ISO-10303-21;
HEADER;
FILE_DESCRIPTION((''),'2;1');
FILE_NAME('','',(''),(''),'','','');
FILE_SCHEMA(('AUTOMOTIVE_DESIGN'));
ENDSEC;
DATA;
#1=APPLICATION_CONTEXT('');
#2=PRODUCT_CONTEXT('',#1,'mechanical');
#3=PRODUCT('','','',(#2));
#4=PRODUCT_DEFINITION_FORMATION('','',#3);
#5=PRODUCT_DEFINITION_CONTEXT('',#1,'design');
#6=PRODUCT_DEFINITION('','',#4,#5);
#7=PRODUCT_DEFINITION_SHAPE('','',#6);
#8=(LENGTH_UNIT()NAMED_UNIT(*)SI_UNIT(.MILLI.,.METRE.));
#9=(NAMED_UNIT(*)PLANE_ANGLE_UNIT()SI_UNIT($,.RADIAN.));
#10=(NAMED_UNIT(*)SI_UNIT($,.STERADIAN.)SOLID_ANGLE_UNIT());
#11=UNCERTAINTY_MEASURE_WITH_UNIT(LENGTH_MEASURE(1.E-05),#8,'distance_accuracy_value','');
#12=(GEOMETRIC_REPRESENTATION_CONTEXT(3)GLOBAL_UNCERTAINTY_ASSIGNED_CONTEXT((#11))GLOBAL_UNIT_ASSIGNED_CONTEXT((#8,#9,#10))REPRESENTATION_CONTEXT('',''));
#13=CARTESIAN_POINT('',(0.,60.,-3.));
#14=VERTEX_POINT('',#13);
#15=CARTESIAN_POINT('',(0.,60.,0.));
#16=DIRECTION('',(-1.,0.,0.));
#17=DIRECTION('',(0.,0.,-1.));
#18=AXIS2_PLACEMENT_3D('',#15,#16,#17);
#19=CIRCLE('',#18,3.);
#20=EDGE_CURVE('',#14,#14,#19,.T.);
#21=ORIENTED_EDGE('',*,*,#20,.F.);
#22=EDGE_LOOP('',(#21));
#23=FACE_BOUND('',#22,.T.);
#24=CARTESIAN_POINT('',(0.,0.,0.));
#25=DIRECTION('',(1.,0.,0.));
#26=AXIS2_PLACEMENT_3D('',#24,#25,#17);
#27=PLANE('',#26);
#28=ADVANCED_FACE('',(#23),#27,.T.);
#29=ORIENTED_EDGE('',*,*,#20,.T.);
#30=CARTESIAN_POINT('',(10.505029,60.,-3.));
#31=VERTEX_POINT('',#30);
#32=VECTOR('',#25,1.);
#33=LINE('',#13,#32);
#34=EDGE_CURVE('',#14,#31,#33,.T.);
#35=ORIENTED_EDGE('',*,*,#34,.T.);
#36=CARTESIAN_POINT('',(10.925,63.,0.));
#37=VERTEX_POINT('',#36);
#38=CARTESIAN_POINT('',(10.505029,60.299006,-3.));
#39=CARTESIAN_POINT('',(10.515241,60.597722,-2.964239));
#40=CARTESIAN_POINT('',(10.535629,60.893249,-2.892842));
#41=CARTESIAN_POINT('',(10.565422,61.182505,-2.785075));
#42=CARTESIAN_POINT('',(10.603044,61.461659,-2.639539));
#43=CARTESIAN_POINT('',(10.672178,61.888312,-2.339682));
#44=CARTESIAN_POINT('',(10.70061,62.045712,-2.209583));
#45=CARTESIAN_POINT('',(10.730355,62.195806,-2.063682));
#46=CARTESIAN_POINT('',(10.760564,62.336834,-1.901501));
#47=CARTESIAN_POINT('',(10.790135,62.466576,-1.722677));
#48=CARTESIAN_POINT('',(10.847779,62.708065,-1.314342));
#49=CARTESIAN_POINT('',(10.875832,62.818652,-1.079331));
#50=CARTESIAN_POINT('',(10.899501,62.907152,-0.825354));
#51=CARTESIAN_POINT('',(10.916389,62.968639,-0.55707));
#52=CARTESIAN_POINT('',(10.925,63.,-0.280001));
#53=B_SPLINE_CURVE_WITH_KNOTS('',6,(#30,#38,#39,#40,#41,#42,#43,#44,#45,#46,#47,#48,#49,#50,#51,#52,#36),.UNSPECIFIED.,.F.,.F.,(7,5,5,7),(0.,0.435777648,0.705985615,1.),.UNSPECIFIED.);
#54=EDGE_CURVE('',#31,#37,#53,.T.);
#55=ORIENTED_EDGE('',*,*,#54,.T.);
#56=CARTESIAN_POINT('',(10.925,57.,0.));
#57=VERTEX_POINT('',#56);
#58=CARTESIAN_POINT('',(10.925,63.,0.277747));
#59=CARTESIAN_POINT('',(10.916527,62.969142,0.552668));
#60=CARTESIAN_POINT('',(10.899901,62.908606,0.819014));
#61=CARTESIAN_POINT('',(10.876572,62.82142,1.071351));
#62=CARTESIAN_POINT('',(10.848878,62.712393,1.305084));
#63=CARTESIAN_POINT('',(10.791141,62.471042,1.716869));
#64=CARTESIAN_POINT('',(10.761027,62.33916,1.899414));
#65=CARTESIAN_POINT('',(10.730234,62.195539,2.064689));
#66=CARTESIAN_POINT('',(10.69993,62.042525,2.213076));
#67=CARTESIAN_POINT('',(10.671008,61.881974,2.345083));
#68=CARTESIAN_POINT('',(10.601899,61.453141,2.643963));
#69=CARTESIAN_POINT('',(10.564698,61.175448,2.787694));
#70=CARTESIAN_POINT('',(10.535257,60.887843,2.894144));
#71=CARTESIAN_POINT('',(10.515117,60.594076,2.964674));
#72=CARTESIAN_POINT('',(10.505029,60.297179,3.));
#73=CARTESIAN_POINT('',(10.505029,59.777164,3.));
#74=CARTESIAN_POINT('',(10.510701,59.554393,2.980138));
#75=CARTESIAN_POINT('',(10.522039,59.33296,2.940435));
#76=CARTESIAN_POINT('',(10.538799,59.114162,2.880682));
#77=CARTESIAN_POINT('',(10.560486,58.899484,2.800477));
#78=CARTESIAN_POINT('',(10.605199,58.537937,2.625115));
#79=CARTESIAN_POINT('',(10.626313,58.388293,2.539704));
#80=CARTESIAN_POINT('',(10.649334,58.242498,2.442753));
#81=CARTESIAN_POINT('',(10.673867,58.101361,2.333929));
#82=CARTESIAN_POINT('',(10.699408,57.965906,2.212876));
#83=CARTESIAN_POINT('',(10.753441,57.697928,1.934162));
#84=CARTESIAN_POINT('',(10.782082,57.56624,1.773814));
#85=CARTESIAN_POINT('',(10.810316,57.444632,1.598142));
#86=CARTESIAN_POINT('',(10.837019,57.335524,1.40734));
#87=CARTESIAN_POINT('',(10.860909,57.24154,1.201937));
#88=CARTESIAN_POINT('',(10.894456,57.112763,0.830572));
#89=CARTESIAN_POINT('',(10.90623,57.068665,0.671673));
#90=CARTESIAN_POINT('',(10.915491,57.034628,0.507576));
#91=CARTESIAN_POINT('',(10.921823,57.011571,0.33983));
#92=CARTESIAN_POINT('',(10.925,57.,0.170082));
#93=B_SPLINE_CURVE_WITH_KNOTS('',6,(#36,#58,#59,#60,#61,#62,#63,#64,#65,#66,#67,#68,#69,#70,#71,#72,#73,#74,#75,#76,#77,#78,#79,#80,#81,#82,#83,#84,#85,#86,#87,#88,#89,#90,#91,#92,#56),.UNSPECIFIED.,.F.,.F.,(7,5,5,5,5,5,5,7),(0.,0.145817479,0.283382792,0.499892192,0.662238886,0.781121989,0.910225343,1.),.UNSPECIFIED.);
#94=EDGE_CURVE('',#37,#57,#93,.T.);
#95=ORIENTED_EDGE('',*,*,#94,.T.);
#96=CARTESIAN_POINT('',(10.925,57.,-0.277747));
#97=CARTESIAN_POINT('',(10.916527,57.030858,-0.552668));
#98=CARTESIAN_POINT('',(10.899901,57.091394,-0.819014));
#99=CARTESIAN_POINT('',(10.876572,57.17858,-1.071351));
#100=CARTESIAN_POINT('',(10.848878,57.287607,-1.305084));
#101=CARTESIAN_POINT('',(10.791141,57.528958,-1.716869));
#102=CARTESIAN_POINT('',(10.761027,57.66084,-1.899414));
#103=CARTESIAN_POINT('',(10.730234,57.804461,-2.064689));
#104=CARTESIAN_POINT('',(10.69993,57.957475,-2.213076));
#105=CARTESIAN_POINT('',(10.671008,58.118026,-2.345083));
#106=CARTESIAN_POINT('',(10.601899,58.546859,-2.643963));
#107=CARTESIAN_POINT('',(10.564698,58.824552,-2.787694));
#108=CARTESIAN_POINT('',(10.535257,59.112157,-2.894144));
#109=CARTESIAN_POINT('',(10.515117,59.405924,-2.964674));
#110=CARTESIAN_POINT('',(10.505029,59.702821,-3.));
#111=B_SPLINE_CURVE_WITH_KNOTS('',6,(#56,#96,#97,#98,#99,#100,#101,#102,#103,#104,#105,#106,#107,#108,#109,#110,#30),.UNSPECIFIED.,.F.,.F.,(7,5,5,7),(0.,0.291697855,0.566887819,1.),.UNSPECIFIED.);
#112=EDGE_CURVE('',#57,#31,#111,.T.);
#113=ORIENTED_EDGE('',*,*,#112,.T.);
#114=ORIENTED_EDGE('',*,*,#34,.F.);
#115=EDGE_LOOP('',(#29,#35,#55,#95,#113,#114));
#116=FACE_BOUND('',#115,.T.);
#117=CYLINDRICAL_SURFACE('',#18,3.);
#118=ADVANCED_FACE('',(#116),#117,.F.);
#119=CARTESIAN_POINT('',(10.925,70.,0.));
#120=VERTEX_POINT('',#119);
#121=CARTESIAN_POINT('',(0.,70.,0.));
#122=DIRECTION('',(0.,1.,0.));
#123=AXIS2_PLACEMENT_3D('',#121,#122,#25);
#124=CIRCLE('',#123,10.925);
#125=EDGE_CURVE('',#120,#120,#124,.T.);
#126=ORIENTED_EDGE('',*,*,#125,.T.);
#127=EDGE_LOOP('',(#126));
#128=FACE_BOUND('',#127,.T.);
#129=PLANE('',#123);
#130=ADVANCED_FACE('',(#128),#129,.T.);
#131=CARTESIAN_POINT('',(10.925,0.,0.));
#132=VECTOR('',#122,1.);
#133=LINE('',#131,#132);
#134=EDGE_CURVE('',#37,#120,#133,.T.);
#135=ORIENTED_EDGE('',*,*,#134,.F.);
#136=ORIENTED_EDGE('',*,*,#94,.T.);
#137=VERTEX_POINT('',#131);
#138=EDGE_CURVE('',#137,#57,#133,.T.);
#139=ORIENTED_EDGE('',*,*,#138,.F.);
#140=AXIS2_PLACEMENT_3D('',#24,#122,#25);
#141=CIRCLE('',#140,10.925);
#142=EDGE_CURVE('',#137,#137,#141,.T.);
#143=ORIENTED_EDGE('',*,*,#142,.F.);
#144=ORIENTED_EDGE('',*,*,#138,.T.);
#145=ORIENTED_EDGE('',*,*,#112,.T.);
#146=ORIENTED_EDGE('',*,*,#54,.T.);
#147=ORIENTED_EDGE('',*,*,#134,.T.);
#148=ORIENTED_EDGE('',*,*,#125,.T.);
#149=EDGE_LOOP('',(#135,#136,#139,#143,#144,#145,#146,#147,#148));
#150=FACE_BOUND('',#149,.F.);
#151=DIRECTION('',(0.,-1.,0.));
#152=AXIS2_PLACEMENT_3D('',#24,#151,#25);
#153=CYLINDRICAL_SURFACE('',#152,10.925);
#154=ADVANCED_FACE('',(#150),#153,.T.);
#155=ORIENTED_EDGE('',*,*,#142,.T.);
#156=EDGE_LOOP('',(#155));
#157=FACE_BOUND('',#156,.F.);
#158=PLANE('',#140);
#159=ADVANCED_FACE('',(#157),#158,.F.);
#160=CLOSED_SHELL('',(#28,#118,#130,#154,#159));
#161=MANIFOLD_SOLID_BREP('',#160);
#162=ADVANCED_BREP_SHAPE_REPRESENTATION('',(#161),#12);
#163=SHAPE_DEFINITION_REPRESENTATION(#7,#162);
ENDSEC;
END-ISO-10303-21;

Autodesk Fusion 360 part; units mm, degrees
sketch "Esquisse1" plane through (0, 0, 0) normal (0, 1, 0) x (1, 0, 0)
  circle A0 centre (0, 0) radius 10.925
  dimension "d1" = 21.85
extrude "Extrusion1" add sketch "Esquisse1" along normal blind 70
sketch "Esquisse2" plane through (0, 0, 0) normal (1, 0, 0) x (0, 0, -1)
  line L0 (0, 70) -> (0, 60)
  circle A0 centre (0, 60) radius 3
  dimension "d4" = 10
  dimension "d5" = 6
extrude "Extrusion2" cut sketch "Esquisse2" along normal blind 17
